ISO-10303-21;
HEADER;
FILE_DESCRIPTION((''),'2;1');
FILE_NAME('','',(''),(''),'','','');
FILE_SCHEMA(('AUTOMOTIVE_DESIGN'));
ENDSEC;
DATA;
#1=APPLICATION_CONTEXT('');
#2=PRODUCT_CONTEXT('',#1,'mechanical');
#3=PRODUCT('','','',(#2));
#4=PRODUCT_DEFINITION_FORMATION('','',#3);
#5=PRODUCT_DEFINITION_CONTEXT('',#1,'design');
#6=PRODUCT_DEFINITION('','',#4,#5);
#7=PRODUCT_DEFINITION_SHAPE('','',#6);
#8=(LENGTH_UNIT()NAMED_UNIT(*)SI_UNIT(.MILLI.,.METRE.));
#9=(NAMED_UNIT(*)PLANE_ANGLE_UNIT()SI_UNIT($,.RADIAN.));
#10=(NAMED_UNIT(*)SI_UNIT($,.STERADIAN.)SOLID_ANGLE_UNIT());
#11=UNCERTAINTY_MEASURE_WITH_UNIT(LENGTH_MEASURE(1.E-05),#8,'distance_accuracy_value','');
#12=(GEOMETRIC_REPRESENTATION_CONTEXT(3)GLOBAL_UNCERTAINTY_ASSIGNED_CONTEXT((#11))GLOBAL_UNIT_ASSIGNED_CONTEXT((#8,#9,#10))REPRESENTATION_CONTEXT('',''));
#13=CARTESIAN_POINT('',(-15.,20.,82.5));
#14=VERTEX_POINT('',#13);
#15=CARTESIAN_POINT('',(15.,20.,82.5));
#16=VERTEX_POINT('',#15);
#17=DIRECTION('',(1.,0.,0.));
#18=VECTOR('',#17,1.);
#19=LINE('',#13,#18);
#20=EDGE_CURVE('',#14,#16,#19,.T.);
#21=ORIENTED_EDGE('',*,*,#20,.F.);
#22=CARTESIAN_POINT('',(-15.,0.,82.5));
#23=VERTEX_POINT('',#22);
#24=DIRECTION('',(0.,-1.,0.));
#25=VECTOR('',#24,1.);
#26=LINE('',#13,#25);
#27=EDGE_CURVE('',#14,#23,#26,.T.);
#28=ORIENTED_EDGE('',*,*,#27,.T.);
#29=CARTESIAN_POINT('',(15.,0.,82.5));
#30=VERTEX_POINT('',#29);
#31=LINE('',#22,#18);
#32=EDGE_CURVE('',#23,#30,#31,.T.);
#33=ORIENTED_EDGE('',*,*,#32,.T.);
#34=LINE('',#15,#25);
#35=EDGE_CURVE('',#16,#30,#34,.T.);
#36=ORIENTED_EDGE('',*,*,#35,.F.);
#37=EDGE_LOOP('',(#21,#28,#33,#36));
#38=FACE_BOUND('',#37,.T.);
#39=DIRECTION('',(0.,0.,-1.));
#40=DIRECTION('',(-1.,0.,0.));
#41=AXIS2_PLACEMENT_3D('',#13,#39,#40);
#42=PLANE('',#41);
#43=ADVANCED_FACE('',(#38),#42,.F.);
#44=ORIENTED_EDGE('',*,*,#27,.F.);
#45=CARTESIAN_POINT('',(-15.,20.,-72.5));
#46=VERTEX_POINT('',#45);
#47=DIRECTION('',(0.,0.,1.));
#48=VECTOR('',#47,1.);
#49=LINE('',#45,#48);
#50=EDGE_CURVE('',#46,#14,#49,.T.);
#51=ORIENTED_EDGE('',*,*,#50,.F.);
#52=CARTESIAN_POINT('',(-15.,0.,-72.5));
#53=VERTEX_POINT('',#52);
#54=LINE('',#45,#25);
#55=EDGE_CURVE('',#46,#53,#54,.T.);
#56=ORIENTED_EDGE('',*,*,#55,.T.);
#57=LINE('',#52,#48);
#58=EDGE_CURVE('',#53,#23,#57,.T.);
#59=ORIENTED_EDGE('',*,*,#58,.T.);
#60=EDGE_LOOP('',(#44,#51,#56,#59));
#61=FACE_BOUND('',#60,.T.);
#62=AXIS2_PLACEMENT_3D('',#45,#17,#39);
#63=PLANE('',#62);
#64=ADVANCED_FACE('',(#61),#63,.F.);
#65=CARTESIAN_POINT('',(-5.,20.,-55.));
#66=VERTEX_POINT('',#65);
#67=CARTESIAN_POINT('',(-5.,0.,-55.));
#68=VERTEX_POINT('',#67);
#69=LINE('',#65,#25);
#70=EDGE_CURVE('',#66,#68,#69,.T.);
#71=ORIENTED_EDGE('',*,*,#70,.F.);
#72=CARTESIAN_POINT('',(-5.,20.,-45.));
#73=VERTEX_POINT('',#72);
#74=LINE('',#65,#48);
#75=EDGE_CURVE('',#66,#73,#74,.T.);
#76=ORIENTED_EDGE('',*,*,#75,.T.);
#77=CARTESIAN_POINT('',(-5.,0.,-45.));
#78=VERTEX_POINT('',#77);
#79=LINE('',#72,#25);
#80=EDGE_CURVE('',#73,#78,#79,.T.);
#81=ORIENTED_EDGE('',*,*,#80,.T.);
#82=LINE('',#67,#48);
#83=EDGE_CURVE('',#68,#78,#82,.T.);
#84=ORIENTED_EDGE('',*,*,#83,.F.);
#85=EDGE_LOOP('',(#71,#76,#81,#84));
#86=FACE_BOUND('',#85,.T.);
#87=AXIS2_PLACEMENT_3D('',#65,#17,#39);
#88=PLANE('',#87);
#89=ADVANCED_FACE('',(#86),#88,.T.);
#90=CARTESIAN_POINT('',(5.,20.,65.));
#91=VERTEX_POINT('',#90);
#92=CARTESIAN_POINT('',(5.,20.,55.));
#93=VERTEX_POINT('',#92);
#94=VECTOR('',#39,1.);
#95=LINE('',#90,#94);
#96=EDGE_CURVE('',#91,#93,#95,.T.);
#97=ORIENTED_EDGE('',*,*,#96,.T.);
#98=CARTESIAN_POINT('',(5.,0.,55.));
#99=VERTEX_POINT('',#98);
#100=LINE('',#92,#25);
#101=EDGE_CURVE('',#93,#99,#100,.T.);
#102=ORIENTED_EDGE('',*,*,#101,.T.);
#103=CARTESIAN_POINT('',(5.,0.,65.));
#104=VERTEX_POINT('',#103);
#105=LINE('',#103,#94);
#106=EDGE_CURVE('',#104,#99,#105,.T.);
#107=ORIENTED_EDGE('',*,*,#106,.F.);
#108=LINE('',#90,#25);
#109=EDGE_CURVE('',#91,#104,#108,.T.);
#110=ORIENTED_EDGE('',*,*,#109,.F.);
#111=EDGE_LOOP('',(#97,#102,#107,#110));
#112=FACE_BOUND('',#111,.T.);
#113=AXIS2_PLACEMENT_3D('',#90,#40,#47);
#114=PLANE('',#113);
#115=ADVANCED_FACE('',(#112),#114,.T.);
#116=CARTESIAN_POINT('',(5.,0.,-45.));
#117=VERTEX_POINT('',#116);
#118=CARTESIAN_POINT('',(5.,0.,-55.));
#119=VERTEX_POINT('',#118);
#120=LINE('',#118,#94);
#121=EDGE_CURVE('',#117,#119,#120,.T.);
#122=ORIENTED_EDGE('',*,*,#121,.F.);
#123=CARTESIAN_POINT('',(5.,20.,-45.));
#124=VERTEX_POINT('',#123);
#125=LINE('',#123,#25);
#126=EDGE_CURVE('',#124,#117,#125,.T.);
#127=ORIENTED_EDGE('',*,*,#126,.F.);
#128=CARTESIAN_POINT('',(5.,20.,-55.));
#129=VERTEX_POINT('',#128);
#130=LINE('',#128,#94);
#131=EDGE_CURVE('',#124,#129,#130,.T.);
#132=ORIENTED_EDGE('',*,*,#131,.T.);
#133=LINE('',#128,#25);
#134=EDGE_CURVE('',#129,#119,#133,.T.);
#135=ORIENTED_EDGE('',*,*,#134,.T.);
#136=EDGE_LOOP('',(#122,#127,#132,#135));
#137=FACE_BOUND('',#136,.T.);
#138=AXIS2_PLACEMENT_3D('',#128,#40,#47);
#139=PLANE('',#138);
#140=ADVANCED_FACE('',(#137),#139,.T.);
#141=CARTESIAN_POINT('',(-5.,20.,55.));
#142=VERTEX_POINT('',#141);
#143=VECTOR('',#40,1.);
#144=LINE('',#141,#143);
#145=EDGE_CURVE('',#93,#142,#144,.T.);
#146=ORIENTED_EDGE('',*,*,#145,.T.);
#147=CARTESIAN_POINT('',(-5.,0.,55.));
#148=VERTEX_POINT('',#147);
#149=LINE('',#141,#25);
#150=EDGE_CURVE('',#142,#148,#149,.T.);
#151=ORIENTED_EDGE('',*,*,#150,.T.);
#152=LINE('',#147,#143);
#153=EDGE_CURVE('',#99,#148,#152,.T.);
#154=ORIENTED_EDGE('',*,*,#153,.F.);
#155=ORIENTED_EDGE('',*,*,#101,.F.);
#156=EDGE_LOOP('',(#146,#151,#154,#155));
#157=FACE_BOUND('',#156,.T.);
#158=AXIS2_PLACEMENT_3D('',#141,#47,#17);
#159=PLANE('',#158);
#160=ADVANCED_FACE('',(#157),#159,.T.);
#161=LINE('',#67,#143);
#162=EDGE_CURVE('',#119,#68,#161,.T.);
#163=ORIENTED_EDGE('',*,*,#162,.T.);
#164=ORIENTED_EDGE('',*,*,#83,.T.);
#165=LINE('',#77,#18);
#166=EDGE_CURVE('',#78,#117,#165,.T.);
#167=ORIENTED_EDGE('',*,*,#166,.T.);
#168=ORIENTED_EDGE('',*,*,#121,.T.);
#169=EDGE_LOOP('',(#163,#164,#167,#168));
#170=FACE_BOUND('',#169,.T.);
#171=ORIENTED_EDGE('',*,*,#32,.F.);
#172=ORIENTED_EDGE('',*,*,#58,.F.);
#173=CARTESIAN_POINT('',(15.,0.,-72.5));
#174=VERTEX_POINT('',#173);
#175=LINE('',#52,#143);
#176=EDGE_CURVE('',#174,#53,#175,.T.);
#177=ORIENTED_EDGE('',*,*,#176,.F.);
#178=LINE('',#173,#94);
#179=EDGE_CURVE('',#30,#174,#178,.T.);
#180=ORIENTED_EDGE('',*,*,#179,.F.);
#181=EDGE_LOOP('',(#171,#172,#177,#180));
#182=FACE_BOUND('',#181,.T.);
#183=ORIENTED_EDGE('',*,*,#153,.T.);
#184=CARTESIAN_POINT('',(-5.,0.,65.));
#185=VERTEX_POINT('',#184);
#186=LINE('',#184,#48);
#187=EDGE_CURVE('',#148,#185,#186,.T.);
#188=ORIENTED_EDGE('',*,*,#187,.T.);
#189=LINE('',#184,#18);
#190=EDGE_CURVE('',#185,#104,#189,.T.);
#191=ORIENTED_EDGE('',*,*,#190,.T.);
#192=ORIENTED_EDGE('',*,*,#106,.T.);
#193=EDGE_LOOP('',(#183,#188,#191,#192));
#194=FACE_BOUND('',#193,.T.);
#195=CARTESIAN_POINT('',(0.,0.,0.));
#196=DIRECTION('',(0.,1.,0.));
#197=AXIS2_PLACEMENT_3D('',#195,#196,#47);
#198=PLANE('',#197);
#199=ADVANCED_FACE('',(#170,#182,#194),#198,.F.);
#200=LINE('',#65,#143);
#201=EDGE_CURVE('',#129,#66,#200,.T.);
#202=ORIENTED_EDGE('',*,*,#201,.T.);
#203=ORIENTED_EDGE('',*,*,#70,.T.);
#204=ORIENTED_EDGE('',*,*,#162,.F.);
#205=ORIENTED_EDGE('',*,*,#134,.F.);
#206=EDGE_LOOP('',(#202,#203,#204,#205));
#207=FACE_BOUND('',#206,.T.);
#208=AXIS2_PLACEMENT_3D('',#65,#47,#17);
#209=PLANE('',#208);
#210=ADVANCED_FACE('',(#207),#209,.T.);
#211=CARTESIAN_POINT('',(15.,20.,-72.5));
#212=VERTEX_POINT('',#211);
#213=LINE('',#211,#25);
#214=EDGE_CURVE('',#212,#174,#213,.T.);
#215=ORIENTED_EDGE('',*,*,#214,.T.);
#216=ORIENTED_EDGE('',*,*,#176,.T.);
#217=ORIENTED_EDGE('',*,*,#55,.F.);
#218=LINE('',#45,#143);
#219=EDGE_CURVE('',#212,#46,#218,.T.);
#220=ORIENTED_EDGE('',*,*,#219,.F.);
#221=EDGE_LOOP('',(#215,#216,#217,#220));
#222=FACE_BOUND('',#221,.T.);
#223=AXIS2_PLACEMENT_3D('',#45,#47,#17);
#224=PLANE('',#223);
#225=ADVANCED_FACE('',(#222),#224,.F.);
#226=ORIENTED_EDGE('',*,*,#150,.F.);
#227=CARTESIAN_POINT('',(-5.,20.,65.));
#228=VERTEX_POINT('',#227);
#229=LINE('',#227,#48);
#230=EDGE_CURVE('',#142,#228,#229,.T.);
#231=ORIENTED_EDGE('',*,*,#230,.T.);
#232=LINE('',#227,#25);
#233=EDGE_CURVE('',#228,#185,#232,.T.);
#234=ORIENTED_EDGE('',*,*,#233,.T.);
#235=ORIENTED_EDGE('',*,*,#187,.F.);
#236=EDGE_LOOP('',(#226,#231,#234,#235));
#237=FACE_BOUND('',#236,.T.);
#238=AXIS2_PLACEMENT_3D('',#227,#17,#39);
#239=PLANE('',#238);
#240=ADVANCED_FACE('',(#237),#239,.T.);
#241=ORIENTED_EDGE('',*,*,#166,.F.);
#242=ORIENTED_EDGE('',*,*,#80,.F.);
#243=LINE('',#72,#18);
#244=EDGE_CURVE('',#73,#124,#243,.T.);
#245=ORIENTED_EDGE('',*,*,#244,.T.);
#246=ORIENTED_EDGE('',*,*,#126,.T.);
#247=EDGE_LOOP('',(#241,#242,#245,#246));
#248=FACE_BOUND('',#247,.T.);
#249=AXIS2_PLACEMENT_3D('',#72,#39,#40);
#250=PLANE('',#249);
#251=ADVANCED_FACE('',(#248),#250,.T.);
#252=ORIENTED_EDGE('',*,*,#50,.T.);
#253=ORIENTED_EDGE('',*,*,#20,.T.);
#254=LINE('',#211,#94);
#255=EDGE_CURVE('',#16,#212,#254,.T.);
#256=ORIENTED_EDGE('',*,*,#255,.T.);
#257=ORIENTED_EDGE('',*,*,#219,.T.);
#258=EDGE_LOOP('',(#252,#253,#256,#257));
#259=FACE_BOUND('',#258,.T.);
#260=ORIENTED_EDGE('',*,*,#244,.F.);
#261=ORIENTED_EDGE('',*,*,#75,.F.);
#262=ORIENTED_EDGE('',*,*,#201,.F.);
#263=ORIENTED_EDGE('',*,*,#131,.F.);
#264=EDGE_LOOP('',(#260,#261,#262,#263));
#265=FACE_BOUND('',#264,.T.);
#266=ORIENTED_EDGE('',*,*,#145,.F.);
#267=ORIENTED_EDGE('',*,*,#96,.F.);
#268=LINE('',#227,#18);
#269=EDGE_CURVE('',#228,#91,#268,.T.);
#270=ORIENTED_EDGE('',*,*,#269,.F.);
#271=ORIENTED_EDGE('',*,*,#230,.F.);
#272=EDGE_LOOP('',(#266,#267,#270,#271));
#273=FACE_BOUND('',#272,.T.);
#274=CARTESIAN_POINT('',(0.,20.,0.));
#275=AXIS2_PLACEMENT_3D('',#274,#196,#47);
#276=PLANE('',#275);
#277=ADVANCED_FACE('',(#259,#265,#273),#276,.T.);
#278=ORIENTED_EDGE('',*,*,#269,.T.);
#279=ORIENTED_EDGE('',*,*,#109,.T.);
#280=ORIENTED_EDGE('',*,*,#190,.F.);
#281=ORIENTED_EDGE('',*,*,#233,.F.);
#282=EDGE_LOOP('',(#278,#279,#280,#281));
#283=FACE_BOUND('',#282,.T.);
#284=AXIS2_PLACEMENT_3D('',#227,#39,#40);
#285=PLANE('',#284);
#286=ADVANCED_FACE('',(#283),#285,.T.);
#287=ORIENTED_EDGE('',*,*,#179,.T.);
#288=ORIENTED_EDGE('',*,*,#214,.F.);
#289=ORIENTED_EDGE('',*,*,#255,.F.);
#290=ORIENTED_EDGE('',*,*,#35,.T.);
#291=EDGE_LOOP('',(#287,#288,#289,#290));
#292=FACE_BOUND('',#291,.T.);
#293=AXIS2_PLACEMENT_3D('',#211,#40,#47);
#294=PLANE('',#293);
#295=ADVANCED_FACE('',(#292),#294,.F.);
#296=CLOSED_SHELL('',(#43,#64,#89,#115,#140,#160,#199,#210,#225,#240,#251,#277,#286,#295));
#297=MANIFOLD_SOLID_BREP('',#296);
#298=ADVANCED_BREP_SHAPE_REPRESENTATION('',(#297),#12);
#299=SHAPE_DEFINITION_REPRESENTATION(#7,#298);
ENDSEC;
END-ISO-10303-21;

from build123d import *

# Parameters (mm, degrees)
SKETCH1_W           = 30
SKETCH1_H           = 155
SKETCH1_W_2         = 10
SKETCH1_H_2         = 10
BOSS_EXTRUDE1_DEPTH = 20


with BuildPart() as part:
    # Sketch1 → Boss-Extrude1 (new body)
    with BuildSketch(Plane(origin=(0, 0, 0), x_dir=(1, 0, 0), z_dir=(0, 1, 0))):
        with Locations((0, -5)):
            Rectangle(SKETCH1_W, SKETCH1_H)
        with Locations((0, 50)):
            Rectangle(SKETCH1_W_2, SKETCH1_H_2, mode=Mode.SUBTRACT)
        with Locations((0, -60)):
            Rectangle(SKETCH1_W_2, SKETCH1_H_2, mode=Mode.SUBTRACT)
    extrude(amount=BOSS_EXTRUDE1_DEPTH)


solid = part.part
